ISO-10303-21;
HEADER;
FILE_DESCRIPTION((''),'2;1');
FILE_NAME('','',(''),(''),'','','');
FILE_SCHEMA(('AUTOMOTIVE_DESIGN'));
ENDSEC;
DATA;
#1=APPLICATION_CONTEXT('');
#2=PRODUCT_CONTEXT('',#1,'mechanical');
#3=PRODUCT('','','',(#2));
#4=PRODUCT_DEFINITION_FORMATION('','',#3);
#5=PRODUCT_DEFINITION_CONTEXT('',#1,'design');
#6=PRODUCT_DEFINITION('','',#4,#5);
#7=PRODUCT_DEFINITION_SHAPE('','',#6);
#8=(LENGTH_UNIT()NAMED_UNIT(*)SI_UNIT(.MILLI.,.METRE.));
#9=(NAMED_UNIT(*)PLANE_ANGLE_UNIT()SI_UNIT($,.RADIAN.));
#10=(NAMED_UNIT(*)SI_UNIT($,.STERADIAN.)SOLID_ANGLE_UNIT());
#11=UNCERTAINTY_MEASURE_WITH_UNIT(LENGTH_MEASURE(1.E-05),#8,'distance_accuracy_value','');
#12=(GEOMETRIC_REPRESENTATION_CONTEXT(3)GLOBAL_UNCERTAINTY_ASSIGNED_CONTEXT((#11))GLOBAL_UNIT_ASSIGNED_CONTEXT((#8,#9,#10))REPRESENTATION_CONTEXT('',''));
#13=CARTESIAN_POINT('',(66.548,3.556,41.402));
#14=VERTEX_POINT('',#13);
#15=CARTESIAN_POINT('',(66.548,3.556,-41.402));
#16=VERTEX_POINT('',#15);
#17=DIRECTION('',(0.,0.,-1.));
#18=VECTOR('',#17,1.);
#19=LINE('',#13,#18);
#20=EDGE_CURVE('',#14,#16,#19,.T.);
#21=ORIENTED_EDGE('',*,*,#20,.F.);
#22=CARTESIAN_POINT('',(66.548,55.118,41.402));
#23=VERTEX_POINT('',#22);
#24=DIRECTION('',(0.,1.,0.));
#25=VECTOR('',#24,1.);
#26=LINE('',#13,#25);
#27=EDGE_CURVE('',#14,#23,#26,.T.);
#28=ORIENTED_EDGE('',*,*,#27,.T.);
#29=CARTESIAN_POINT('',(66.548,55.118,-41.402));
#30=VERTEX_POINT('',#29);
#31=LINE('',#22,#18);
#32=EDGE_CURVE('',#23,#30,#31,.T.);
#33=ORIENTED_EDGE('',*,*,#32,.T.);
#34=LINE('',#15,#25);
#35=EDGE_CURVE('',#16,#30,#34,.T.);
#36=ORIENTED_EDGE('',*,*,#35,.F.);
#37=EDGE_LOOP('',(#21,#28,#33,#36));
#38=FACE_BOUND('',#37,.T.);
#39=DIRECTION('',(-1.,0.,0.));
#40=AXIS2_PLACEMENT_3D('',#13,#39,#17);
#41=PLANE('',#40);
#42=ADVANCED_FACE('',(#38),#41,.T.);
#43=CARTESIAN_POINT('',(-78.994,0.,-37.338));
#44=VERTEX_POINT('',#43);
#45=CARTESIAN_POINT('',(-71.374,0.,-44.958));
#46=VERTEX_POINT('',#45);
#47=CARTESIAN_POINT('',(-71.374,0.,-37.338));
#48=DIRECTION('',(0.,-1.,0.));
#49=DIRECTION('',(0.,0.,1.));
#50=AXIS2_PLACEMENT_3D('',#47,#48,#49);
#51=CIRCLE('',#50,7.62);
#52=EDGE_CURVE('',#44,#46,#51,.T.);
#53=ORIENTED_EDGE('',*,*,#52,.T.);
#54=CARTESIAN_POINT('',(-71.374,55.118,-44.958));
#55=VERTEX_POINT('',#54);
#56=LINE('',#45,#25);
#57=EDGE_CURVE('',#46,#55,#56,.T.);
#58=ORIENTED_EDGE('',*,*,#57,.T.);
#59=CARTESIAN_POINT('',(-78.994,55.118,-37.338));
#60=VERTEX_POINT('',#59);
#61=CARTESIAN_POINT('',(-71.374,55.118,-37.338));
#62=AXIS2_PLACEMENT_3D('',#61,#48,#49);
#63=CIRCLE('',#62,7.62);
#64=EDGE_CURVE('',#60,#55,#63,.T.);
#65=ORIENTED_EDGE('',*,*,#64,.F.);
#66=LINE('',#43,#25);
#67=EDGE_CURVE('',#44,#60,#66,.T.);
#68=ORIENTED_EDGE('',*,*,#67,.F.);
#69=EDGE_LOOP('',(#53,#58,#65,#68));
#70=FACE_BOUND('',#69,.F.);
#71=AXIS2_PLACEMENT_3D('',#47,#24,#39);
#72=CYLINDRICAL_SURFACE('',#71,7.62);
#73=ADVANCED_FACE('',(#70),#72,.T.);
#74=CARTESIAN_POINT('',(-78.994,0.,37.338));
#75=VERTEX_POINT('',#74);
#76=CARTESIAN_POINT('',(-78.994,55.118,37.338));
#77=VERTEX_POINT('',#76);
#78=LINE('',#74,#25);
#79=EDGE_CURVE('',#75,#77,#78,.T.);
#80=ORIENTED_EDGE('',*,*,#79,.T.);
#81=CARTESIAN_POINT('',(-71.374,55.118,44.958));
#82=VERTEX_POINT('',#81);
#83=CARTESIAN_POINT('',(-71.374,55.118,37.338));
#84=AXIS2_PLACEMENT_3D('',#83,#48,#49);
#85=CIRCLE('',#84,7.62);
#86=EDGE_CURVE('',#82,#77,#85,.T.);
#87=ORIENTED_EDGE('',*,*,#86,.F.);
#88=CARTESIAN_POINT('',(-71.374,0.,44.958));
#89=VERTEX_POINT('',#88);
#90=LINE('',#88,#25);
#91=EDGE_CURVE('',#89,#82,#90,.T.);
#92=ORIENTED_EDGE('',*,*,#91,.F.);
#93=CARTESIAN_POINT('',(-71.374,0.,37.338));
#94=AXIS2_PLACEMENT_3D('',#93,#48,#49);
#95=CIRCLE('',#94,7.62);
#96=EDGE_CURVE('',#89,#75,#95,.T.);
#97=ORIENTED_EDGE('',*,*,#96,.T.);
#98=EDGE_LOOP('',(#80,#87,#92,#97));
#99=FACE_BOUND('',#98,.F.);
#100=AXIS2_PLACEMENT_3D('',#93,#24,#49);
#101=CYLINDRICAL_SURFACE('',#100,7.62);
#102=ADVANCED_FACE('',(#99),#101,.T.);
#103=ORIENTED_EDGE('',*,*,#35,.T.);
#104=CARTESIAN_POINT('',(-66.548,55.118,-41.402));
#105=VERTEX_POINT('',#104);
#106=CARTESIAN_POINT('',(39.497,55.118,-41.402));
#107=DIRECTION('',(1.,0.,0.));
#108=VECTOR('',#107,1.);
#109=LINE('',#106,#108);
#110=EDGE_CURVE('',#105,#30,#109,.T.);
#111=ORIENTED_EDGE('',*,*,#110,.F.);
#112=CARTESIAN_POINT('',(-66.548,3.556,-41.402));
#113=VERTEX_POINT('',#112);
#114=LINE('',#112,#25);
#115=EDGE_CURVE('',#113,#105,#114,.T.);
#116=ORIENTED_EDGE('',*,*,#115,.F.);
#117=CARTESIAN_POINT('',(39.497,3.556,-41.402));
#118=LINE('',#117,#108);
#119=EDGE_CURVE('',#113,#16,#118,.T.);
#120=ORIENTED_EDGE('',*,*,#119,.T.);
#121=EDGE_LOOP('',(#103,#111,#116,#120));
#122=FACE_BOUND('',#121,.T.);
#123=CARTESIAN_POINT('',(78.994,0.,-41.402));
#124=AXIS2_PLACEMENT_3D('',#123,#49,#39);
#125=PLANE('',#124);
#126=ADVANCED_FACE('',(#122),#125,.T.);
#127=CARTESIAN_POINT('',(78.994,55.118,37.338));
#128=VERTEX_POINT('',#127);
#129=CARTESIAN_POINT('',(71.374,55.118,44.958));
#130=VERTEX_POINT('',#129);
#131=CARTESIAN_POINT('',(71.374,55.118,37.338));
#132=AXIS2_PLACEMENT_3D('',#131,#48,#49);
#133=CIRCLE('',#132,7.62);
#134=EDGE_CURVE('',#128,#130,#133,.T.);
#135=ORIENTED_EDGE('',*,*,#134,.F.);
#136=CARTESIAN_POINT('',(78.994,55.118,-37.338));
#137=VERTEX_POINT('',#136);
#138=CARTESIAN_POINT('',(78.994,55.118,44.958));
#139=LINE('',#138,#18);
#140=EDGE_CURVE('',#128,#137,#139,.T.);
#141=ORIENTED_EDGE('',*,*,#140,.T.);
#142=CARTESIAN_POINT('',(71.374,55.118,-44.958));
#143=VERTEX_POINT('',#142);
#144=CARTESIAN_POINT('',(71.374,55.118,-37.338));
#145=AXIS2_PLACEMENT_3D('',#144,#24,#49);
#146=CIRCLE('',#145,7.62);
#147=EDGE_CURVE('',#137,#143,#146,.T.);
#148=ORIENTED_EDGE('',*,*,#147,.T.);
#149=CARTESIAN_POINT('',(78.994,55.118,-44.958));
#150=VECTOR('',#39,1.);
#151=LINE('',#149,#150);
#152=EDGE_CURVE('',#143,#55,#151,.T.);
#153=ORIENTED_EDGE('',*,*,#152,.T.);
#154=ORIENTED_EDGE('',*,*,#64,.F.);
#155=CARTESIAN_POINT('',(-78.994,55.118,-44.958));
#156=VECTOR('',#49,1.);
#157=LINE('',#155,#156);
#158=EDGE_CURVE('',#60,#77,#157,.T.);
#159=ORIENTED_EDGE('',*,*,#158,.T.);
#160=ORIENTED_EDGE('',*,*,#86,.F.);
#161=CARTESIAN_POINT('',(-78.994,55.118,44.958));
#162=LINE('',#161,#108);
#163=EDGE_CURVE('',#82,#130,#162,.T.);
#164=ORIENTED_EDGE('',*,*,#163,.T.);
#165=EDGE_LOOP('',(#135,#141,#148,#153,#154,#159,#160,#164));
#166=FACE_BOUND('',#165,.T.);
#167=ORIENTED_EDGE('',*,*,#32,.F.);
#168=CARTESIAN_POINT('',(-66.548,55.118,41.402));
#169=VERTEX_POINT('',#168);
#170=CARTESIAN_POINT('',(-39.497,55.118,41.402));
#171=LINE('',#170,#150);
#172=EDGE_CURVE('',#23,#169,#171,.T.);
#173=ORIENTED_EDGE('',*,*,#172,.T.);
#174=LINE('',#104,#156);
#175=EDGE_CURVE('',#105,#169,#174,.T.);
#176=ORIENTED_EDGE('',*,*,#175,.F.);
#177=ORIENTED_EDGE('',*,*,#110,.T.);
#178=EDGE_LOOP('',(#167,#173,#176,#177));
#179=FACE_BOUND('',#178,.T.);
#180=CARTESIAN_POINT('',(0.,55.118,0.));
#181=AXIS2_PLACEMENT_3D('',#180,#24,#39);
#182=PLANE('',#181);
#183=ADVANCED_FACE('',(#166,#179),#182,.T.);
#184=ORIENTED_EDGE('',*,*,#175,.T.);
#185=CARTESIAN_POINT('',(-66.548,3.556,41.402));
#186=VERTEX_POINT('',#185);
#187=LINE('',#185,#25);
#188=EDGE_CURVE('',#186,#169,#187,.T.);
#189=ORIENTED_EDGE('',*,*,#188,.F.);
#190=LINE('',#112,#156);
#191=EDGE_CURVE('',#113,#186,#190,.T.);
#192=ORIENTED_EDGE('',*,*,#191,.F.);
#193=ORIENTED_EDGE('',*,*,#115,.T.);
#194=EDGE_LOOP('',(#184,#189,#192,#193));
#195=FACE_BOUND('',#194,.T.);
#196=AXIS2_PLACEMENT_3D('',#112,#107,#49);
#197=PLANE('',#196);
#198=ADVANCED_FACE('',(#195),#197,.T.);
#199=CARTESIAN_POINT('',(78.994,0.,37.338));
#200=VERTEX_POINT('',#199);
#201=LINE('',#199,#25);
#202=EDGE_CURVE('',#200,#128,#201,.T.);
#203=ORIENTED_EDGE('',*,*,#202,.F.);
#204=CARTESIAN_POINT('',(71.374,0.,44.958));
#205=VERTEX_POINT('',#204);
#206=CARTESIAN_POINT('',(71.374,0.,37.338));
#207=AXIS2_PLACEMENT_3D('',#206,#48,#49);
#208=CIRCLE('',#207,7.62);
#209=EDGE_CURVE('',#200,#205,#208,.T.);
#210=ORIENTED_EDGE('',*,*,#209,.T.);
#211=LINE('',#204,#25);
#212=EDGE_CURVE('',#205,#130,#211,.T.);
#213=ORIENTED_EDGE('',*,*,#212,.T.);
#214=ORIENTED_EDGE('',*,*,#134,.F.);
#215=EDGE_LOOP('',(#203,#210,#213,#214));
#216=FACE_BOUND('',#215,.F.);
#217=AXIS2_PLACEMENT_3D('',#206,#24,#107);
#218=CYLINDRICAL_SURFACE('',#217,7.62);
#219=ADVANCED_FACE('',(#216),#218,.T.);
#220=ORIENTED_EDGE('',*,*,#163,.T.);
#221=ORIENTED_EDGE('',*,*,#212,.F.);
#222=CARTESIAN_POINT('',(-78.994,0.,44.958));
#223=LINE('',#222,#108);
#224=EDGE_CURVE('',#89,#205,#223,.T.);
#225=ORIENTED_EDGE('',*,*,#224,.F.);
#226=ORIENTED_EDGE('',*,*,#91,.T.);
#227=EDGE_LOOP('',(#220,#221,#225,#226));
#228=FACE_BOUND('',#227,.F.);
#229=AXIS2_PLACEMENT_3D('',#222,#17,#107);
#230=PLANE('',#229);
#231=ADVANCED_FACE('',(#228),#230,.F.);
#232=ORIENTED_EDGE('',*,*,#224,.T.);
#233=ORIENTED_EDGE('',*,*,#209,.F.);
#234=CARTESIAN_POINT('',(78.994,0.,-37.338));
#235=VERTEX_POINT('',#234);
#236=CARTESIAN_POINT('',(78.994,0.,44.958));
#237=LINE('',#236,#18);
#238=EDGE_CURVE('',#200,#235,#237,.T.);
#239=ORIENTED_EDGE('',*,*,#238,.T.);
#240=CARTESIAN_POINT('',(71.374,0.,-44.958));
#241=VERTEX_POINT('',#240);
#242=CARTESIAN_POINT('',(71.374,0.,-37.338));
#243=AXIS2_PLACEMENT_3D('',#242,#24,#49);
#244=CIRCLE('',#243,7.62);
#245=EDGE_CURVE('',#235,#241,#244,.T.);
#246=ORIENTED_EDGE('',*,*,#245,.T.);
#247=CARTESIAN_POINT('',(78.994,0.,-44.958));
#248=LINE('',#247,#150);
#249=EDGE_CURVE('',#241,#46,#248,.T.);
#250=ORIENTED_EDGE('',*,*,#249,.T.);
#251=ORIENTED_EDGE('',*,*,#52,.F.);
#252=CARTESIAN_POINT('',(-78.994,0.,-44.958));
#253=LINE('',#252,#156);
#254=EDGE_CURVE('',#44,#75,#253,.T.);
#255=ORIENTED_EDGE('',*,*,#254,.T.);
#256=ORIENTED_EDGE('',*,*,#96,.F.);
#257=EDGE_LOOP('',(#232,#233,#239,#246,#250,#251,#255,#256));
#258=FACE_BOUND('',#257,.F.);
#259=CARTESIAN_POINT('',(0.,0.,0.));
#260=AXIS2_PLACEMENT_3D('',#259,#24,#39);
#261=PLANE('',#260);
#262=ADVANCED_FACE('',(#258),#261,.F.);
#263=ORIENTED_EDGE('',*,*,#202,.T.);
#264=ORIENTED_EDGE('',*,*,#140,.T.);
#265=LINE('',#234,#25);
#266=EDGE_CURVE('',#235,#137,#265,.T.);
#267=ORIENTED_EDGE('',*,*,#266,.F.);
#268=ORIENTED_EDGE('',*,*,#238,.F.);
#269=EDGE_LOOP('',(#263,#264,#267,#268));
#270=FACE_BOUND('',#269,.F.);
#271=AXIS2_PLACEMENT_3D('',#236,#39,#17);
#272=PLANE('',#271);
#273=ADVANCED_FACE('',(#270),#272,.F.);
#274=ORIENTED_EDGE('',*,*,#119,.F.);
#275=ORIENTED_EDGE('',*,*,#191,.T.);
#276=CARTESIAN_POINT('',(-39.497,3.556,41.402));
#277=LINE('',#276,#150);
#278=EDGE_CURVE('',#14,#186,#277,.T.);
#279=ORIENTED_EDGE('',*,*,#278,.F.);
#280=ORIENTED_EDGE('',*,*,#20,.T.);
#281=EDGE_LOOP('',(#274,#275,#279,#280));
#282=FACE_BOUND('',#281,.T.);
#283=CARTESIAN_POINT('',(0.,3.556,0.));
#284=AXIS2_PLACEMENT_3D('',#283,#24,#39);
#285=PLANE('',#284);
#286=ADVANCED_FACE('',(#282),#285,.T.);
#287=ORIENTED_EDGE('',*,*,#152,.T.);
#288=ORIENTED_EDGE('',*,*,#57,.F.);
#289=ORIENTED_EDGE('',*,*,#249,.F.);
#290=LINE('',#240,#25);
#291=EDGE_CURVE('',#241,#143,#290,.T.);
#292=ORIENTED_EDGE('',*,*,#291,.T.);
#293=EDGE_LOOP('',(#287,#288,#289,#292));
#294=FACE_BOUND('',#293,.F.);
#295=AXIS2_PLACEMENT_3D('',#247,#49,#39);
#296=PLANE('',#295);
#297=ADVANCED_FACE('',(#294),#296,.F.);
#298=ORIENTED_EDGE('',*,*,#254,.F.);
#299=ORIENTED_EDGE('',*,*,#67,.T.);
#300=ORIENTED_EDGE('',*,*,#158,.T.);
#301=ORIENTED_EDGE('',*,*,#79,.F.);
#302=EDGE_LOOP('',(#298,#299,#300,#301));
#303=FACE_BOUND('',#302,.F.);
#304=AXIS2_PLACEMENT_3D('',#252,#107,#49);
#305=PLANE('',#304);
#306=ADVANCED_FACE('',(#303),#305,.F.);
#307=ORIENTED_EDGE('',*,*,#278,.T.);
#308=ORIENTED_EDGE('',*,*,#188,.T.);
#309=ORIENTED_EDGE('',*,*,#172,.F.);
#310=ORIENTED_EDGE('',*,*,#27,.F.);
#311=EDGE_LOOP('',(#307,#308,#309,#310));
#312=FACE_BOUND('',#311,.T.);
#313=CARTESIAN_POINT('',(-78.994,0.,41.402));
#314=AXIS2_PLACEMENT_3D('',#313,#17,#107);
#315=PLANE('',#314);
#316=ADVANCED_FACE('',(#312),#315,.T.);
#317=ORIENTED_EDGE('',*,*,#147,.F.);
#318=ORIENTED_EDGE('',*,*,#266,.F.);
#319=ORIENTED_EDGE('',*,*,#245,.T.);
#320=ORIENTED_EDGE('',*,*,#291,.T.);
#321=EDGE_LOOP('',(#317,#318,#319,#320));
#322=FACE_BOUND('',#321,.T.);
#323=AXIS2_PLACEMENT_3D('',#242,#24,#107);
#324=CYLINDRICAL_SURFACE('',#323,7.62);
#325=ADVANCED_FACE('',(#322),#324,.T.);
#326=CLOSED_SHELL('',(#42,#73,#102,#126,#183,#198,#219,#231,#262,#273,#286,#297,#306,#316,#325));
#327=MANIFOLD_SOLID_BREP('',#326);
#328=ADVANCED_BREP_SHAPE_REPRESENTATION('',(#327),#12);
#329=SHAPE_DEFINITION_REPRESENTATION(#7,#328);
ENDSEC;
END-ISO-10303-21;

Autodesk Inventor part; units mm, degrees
ref_plane "YZ Plane" through (0, 0, 0) normal (1, 0, 0) x (0, 1, 0)
ref_plane "XZ Plane" through (0, 0, 0) normal (0, 1, 0) x (-1, 0, 0)
ref_plane "XY Plane" through (0, 0, 0) normal (0, 0, 1) x (1, 0, 0)
sketch "Sketch1" plane through (0, 0, 0) normal (0, 1, 0) x (-1, 0, 0)
  line L0 (-78.994, -44.958) -> (78.994, -44.958)
  line L1 (78.994, -44.958) -> (78.994, 44.958)
  line L2 (78.994, 44.958) -> (-78.994, 44.958)
  line L3 (-78.994, 44.958) -> (-78.994, -44.958)
  line L4 (-78.994, -44.958) -> (78.994, 44.958) construction
  line L5 (78.994, -44.958) -> (-78.994, 44.958) construction
  point P0 (0, 0)
  dimension "d0" = 89.916
  dimension "d1" = 157.988
extrude "Extrusion1" add sketch "Sketch1" along normal blind 55.118
fillet "Fillet1" radius 7.62 4 edges at (78.994, 27.559, 44.958) (78.994, 27.559, -44.958) (-78.994, 27.559, 44.958) (-78.994, 27.559, -44.958)
shell "Shell1" thickness 3.556 removed faces 1 at (23.7913, 55.118, -14.986)
sketch "Sketch2" plane through (-71.374, 3.556, 41.402) normal (0, 1, 0) x (1, 0, 0)
  line L0 (0, 0) -> (142.748, 0) projected
  line L1 (137.922, 0) -> (137.922, 82.804)
  line L2 (0, 82.804) -> (142.748, 82.804) projected
  line L3 (4.826, 82.804) -> (4.826, 0)
  line L4 (142.748, 0) -> (0, 0) projected
  line L5 (-4.064, 4.064) -> (-4.064, 78.74) projected
  line L6 (146.812, 78.74) -> (146.812, 4.064) projected
  arc A0 (0, 82.804) -> (-4.064, 78.74) centre (0, 78.74) ccw projected
  line L7 (-4.064, 78.74) -> (-4.064, 4.064) projected
  arc A1 (-4.064, 4.064) -> (0, 0) centre (0, 4.064) ccw projected
  line L8 (0, 0) -> (142.748, 0) projected
  arc A2 (142.748, 0) -> (146.812, 4.064) centre (142.748, 4.064) ccw projected
  line L9 (146.812, 4.064) -> (146.812, 78.74) projected
  arc A3 (146.812, 78.74) -> (142.748, 82.804) centre (142.748, 78.74) ccw projected
  line L10 (142.748, 82.804) -> (0, 82.804) projected
  point P0 (71.374, 41.402)
  point P1 (4.826, 0)
  point P2 (0, 82.804)
  point P3 (-4.064, 78.74)
  dimension "d6" = 133.096
  dimension "d7" = 8.89
  dimension "d8" = 8.89
extrude "Extrusion2" add sketch "Sketch2" along normal up to surface (51.562 mm away) contours A1 L5 A0 L2 L3 L0 | L1 L2 A3 L6 A2 L0
equation "\"d7\" = d8"
properties part number "project_box"
